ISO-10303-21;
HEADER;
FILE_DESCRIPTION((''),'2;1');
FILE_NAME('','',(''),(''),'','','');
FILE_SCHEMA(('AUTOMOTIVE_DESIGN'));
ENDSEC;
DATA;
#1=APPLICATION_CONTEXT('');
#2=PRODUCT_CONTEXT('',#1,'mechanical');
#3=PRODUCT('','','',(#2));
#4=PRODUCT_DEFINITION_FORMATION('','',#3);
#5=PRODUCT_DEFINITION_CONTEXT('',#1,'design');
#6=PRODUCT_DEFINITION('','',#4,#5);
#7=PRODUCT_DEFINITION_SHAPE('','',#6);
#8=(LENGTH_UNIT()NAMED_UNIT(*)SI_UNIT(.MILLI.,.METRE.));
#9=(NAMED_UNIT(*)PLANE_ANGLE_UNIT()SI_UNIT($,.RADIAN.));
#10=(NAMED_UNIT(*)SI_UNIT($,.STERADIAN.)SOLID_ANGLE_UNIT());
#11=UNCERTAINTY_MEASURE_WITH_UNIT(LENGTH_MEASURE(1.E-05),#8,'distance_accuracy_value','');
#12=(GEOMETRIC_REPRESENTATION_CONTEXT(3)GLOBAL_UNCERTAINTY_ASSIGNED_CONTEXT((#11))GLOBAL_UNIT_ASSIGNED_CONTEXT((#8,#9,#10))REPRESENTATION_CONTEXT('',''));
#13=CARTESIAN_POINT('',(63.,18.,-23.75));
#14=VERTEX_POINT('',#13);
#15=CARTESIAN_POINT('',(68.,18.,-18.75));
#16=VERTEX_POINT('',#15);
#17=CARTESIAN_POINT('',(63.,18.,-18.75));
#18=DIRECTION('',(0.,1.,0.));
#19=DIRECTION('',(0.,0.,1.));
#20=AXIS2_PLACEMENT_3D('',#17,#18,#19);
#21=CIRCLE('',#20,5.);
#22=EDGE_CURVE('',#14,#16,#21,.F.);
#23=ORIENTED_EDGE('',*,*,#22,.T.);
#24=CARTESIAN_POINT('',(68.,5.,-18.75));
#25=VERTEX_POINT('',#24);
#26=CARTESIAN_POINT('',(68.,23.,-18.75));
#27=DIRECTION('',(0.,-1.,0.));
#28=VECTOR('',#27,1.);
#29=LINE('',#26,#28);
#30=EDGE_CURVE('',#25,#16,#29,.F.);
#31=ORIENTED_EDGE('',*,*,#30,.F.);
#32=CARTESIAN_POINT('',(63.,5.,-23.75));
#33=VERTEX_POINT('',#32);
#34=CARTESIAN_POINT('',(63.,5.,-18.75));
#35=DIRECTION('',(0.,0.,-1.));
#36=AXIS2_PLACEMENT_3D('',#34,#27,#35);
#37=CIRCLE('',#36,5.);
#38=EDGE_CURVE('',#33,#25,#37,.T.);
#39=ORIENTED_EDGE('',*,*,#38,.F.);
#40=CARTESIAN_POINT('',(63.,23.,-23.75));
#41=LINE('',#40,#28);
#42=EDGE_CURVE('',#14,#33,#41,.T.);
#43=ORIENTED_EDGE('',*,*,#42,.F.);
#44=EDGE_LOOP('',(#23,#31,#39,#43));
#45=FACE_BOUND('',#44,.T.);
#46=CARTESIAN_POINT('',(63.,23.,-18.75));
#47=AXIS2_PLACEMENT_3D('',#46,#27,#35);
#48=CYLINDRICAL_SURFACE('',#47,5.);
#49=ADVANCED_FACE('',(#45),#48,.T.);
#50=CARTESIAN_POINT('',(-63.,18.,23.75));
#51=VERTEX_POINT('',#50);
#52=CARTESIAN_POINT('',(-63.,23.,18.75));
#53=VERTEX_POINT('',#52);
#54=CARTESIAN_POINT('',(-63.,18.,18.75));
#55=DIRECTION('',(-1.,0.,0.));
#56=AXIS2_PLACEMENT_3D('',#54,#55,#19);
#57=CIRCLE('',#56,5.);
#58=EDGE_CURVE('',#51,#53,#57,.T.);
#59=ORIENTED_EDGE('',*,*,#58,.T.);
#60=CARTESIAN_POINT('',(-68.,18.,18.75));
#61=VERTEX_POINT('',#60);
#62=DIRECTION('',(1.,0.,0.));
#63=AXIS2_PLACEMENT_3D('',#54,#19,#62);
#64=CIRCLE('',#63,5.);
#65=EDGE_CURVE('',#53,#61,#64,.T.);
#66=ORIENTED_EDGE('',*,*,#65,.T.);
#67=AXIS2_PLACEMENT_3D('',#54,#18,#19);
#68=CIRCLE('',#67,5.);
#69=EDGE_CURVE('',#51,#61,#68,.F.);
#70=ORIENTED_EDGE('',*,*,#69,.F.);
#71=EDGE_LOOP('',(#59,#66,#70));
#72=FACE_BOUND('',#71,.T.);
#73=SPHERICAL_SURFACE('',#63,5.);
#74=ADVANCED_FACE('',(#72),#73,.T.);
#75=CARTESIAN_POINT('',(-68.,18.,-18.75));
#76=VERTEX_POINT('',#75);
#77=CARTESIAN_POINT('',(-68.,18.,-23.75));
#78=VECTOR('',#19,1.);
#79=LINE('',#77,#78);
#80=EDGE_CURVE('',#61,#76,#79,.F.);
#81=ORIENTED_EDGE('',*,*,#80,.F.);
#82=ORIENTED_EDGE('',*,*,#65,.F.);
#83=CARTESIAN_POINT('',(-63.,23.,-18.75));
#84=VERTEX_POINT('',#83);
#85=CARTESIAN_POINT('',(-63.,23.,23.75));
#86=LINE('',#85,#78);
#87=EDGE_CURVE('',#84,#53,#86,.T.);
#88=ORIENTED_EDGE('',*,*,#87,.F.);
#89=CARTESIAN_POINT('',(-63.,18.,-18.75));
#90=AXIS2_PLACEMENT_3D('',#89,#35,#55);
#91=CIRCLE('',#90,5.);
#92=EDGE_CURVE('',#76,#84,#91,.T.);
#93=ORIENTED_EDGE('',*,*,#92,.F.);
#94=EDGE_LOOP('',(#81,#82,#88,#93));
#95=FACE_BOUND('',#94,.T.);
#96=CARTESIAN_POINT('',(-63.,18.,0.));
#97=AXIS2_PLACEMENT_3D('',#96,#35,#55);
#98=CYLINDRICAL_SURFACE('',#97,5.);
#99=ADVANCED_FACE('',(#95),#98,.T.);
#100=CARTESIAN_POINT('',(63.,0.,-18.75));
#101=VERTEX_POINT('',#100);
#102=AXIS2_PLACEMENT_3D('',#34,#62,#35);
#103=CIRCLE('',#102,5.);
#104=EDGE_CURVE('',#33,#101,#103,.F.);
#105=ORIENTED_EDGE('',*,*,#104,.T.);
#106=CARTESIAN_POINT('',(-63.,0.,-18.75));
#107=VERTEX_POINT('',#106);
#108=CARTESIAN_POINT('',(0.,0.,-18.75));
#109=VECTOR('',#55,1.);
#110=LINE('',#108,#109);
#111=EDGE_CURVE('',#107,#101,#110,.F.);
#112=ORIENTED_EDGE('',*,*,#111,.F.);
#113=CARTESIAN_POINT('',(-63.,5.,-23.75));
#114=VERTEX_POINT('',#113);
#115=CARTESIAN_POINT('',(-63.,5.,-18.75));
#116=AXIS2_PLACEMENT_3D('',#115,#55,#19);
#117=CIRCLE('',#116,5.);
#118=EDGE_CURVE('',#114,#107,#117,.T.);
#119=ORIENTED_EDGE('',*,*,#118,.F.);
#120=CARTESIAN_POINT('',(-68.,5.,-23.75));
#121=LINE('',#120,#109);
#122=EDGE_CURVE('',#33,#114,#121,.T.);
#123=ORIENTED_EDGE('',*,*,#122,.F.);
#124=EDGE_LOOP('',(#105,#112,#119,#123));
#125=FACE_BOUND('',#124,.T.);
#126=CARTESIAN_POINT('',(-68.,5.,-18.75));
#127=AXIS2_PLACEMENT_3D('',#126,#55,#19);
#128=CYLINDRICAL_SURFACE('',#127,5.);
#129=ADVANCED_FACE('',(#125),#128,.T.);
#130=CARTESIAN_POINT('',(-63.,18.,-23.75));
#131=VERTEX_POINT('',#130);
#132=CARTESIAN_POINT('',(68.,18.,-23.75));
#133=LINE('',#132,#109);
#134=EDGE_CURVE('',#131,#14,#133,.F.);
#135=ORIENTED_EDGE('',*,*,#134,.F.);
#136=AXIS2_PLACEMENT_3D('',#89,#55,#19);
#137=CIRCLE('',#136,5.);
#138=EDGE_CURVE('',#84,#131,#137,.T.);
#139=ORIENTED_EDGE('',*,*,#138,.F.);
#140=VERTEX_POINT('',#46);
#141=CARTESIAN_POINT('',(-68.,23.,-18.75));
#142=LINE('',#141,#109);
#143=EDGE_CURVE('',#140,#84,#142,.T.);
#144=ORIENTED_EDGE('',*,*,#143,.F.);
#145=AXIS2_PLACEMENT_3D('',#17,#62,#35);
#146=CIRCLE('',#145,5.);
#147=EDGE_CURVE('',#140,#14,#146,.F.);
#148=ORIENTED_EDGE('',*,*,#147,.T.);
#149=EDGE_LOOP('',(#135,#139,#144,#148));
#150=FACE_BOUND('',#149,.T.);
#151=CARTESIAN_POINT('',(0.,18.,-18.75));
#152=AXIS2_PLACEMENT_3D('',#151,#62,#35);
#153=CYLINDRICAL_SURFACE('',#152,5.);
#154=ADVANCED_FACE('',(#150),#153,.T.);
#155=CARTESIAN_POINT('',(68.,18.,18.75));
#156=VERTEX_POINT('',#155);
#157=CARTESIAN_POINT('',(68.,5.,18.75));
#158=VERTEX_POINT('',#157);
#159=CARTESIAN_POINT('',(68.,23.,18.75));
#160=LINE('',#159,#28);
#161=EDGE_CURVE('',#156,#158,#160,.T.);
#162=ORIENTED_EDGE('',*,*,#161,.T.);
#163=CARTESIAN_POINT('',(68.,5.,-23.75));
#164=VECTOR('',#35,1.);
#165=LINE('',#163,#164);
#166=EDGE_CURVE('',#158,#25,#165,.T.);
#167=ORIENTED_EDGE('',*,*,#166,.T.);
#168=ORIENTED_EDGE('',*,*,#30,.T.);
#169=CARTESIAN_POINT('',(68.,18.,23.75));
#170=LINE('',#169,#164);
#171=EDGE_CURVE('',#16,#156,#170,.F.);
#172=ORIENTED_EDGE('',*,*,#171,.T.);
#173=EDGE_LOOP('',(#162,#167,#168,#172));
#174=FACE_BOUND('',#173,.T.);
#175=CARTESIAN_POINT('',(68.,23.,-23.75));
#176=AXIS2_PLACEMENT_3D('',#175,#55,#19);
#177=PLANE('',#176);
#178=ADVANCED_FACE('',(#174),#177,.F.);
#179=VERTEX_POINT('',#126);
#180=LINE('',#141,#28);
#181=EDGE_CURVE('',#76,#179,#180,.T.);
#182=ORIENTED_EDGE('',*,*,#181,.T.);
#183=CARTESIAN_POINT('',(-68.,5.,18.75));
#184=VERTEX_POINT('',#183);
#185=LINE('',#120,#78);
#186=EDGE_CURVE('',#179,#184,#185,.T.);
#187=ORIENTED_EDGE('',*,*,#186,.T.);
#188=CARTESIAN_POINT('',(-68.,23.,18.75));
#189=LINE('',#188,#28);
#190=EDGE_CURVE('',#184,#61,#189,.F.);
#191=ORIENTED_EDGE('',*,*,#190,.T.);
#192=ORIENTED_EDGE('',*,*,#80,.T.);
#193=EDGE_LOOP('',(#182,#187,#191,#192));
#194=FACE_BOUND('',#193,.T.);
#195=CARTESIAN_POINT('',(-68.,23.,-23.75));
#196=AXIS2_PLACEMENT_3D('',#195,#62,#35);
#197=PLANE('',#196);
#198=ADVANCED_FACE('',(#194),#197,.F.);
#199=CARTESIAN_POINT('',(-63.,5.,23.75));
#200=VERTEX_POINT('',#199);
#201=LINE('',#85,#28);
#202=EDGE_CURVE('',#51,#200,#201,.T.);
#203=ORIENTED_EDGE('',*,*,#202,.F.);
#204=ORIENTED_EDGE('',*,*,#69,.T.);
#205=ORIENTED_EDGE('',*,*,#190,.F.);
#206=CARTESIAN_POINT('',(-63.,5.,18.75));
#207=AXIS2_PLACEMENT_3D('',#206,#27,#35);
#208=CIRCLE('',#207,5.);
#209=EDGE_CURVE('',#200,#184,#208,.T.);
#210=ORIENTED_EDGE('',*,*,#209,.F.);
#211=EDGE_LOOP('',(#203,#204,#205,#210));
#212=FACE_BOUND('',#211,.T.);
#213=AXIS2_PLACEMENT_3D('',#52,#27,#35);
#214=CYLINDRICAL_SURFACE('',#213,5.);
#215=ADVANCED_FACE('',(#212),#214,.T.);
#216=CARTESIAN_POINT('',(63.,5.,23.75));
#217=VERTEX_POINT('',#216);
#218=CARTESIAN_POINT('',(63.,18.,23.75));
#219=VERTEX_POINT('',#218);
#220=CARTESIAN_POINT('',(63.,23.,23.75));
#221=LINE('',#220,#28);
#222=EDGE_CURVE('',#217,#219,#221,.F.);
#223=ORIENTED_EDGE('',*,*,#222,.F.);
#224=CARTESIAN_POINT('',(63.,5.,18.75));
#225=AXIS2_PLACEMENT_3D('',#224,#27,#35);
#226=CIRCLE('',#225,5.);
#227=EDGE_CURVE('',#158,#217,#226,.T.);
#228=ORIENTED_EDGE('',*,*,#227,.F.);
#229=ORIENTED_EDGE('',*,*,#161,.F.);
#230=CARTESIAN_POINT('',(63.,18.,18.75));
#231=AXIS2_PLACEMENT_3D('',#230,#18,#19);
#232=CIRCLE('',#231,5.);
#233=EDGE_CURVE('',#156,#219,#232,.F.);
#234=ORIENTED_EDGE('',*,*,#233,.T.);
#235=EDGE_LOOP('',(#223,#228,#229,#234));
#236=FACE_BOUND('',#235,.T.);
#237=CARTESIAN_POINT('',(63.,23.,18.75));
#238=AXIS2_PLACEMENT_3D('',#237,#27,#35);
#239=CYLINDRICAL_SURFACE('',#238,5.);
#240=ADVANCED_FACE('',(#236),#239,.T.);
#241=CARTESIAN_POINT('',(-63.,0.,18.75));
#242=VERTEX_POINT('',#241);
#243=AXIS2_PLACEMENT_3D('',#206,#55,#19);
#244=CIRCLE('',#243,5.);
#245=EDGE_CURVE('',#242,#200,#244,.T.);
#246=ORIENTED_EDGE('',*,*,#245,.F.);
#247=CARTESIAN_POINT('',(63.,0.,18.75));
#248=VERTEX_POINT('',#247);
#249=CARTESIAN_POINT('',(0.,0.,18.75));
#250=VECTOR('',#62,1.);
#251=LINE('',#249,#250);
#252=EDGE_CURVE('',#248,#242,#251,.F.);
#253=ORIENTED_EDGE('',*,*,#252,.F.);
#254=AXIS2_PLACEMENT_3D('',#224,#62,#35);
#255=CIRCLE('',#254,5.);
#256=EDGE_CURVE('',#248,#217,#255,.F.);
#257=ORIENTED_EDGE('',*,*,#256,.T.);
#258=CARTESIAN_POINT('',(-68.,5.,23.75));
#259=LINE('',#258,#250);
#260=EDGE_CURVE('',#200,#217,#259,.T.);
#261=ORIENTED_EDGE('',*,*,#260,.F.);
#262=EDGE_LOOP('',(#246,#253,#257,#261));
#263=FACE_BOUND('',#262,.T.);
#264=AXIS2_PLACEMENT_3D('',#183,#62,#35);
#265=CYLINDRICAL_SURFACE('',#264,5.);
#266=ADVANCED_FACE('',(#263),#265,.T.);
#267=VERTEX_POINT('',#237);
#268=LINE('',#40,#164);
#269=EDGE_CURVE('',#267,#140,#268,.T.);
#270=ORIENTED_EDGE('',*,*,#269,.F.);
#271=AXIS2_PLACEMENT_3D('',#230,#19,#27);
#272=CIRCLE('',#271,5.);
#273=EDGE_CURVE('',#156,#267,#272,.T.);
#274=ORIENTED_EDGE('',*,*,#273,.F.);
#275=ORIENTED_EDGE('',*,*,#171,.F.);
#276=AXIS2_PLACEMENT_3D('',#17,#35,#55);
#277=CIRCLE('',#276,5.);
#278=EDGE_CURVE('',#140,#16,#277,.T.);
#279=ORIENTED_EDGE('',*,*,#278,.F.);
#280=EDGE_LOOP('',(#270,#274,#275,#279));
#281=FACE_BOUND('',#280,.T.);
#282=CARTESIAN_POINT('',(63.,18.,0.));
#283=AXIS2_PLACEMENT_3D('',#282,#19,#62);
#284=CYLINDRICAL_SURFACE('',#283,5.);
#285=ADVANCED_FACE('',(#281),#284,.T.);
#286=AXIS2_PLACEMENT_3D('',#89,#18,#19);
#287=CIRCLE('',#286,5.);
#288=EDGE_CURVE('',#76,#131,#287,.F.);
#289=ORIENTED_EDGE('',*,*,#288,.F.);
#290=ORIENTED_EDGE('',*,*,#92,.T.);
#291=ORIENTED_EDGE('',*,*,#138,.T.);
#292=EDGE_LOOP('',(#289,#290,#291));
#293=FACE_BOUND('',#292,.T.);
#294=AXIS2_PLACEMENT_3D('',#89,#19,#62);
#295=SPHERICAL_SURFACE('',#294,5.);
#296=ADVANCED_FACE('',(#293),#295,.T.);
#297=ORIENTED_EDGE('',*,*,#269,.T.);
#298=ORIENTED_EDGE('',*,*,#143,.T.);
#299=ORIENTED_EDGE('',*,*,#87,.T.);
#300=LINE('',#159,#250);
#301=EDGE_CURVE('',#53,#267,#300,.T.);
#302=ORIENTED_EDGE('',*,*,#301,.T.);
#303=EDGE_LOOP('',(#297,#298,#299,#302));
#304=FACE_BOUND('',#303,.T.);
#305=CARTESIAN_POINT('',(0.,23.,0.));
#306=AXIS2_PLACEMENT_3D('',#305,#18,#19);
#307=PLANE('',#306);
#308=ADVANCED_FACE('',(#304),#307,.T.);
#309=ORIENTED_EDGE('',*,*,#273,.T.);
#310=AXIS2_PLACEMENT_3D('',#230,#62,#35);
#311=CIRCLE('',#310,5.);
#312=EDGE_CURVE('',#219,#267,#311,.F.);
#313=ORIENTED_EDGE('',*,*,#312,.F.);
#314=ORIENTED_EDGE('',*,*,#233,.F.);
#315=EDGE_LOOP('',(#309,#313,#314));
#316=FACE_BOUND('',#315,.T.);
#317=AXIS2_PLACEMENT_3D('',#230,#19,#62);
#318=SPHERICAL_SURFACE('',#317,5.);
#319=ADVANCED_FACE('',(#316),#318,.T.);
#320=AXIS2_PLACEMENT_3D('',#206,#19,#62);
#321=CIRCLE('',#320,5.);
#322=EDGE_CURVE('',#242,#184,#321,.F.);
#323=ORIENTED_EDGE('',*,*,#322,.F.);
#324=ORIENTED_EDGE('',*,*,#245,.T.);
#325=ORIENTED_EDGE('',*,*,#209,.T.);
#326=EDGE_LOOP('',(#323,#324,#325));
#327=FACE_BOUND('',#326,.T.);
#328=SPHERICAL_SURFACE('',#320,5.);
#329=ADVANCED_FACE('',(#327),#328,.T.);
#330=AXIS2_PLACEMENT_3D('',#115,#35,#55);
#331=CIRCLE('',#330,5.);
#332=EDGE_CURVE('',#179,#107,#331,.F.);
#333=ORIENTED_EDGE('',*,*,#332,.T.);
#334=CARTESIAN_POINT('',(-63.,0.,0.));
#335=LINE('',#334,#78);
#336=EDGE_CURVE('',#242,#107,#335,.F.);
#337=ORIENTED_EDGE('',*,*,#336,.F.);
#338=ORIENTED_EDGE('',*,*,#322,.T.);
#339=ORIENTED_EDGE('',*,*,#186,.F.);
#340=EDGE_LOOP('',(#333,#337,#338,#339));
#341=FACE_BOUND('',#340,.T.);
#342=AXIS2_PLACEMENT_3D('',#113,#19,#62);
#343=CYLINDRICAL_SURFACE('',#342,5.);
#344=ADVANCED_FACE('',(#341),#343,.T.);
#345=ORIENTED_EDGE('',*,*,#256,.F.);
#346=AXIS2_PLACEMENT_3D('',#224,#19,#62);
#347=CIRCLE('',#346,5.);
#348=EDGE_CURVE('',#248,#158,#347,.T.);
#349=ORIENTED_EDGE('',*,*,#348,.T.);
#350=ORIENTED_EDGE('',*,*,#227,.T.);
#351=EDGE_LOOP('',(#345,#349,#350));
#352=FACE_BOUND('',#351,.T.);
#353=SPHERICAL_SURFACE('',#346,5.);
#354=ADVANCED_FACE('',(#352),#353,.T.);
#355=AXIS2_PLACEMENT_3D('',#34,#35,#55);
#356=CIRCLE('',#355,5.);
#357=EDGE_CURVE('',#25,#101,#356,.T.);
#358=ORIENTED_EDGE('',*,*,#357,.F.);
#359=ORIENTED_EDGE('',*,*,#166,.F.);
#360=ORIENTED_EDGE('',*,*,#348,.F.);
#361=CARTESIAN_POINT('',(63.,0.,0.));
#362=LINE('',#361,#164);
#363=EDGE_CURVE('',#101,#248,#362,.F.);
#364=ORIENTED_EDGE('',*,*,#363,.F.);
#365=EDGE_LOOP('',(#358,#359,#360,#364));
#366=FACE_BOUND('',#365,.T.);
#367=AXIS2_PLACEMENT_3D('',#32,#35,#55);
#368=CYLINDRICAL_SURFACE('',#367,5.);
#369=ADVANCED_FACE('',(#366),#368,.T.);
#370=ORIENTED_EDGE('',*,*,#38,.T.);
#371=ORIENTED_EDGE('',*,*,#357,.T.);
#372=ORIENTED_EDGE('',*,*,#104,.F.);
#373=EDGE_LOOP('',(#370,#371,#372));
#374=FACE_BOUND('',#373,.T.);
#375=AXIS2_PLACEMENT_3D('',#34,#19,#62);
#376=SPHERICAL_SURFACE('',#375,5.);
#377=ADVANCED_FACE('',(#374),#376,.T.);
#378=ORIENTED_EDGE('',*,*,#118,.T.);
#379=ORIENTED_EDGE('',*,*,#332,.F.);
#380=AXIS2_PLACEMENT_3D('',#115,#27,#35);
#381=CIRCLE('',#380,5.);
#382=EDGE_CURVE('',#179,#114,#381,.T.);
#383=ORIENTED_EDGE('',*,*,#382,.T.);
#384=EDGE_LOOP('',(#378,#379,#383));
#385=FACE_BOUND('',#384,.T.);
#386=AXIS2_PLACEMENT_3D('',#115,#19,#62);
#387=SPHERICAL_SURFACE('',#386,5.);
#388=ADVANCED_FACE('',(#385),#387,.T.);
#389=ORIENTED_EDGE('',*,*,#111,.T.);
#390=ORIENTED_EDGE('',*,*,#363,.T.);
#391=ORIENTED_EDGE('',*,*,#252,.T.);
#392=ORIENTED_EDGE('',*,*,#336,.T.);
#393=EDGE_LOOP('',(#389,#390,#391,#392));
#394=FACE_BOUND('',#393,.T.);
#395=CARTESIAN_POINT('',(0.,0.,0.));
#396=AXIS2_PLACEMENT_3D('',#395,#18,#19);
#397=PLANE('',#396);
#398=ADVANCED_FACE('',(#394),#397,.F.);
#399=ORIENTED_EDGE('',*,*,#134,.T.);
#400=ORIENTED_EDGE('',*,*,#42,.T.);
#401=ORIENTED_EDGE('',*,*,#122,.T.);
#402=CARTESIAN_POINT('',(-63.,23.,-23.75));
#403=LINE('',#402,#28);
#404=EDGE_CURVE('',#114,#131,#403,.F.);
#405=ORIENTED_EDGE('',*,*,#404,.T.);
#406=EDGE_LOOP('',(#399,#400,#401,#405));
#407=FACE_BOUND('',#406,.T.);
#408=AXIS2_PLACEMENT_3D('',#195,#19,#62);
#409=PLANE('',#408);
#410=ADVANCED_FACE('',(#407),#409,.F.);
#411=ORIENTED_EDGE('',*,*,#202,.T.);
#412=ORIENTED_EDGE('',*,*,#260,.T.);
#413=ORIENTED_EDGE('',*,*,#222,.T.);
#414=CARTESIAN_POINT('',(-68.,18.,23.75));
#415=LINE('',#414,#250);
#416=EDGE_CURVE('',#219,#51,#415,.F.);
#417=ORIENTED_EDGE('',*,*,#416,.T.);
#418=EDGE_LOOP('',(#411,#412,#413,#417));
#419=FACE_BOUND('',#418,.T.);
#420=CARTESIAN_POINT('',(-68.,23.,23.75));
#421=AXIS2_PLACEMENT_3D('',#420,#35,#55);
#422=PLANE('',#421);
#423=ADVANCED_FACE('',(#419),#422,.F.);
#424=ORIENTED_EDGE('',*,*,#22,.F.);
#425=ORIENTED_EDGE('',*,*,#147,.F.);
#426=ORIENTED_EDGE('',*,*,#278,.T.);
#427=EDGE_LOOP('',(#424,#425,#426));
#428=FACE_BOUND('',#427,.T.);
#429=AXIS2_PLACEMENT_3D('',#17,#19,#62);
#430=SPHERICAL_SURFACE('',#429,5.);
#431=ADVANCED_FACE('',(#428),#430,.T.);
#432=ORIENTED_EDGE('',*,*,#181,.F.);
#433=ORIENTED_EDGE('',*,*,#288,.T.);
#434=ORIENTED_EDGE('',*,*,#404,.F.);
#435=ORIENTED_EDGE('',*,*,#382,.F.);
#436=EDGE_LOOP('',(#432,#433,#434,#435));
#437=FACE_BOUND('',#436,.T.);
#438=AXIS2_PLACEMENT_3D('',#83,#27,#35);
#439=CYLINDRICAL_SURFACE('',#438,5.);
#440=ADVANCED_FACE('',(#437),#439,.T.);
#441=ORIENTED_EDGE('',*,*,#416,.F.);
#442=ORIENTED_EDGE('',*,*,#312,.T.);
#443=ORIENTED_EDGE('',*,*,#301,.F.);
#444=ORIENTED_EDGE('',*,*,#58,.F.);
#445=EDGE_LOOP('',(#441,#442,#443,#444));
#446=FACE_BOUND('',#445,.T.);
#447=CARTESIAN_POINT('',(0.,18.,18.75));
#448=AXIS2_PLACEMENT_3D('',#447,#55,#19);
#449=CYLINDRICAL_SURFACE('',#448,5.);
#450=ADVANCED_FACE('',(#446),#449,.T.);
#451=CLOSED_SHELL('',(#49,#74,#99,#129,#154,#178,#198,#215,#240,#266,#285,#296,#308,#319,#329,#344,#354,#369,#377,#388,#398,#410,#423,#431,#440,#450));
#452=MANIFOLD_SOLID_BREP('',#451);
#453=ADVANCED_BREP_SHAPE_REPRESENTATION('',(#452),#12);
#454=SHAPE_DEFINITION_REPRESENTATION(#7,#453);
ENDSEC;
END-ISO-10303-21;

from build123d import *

# Parameters (mm, degrees)
SKETCH1_W           = 136
SKETCH1_H           = 47.5
BOSS_EXTRUDE1_DEPTH = 23
FILLET1_R           = 5


with BuildPart() as part:
    # Sketch1 → Boss-Extrude1 (new body)
    with BuildSketch(Plane(origin=(0, 0, 0), x_dir=(1, 0, 0), z_dir=(0, 1, 0))):
        Rectangle(SKETCH1_W, SKETCH1_H)
    extrude(amount=BOSS_EXTRUDE1_DEPTH)

    # Fillet1
    fillet1_edges = [part.edges().sort_by_distance(p)[0] for p in [
        (68, 23, 0),
        (0, 23, -23.75),
        (-68, 23, 0),
        (0, 0, -23.75),
        (68, 0, 0),
        (0, 0, 23.75),
        (-68, 0, 0),
        (-68, 11.5, -23.75),
        (68, 11.5, -23.75),
        (68, 11.5, 23.75),
        (-68, 11.5, 23.75),
        (0, 23, 23.75),
    ]]
    fillet(fillet1_edges, radius=FILLET1_R)


solid = part.part
